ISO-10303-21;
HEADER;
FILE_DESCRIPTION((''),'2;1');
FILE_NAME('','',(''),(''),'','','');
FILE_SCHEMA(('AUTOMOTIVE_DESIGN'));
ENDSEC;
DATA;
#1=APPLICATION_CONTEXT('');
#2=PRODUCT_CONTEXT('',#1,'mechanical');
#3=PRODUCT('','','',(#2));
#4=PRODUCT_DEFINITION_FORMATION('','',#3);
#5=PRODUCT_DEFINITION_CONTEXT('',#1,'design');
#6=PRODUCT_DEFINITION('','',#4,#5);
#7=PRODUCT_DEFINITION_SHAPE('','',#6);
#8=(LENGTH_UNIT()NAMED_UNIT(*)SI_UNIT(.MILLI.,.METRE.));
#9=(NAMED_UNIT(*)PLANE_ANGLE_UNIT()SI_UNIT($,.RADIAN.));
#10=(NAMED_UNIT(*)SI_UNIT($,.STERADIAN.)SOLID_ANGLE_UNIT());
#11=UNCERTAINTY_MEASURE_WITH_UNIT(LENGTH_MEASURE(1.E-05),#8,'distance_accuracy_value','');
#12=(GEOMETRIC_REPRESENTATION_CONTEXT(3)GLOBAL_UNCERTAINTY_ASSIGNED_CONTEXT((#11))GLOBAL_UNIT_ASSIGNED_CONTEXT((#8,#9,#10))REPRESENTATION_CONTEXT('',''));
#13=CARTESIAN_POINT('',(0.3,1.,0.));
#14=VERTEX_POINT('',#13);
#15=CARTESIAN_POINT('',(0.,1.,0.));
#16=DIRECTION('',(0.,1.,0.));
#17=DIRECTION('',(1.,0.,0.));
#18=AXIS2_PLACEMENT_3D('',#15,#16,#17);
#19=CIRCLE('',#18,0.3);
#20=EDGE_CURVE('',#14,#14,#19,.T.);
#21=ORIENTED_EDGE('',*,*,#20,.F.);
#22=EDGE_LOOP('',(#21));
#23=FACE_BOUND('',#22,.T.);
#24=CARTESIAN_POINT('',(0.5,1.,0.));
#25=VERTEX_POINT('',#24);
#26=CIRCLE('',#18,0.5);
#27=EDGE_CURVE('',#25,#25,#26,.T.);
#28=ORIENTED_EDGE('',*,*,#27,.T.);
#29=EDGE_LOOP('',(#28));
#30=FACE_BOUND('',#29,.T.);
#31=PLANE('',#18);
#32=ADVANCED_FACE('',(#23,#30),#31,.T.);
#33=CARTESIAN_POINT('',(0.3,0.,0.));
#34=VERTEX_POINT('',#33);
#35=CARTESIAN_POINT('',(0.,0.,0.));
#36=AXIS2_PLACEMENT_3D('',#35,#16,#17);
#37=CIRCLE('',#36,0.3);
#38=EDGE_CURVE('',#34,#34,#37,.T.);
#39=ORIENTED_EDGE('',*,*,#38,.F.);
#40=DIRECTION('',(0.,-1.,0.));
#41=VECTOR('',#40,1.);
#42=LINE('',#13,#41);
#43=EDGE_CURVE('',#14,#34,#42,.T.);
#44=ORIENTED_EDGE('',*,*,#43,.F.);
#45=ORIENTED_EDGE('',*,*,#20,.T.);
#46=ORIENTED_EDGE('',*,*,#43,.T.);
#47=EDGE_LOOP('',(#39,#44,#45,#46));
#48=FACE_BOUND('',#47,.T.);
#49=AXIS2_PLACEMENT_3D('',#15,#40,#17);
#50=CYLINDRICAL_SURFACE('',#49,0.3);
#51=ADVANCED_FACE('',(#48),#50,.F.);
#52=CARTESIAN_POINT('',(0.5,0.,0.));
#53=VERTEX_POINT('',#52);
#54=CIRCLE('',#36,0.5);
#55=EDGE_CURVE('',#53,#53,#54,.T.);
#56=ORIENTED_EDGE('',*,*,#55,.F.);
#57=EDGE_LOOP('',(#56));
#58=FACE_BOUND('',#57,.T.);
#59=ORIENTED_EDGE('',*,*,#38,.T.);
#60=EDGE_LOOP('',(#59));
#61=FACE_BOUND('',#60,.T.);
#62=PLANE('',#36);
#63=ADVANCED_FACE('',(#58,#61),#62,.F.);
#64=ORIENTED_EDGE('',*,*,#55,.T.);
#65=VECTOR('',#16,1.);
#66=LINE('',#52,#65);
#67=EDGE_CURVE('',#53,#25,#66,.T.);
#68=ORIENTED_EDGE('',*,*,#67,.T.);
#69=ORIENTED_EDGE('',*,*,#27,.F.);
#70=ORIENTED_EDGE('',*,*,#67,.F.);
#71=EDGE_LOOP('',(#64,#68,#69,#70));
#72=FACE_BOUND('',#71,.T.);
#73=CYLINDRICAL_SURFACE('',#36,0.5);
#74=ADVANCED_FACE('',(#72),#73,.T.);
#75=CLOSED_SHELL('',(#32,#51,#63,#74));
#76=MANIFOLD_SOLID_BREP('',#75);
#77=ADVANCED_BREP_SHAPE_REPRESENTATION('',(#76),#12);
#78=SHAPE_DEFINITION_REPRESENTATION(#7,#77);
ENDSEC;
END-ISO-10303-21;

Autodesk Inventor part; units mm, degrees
ref_plane "YZ Plane" through (0, 0, 0) normal (1, 0, 0) x (0, 1, 0)
ref_plane "XZ Plane" through (0, 0, 0) normal (0, 1, 0) x (-1, 0, 0)
ref_plane "XY Plane" through (0, 0, 0) normal (0, 0, 1) x (1, 0, 0)
sketch "Szkic1" plane through (0, 0, 0) normal (0, 0, 1) x (1, 0, 0)
  line L0 (0.3, 0) -> (0.5, 0)
  line L1 (0.5, 0) -> (0.5, 1)
  line L2 (0.5, 1) -> (0.3, 1)
  line L3 (0.3, 1) -> (0.3, 0)
  line L4 (-0.1, 0) -> (0.6, 0) construction
  line L5 (0, -0.2) -> (0, 1.2) projected
  point P0 (0, 0)
  dimension "d0" = 0.3
  dimension "d1" = 0.5
  dimension "d2" = 1
revolve "Obrót1" add sketch "Szkic1" angle 360 about axis through (0, -10, 0) along (0, 1, 0)
properties part number "lozysko"
